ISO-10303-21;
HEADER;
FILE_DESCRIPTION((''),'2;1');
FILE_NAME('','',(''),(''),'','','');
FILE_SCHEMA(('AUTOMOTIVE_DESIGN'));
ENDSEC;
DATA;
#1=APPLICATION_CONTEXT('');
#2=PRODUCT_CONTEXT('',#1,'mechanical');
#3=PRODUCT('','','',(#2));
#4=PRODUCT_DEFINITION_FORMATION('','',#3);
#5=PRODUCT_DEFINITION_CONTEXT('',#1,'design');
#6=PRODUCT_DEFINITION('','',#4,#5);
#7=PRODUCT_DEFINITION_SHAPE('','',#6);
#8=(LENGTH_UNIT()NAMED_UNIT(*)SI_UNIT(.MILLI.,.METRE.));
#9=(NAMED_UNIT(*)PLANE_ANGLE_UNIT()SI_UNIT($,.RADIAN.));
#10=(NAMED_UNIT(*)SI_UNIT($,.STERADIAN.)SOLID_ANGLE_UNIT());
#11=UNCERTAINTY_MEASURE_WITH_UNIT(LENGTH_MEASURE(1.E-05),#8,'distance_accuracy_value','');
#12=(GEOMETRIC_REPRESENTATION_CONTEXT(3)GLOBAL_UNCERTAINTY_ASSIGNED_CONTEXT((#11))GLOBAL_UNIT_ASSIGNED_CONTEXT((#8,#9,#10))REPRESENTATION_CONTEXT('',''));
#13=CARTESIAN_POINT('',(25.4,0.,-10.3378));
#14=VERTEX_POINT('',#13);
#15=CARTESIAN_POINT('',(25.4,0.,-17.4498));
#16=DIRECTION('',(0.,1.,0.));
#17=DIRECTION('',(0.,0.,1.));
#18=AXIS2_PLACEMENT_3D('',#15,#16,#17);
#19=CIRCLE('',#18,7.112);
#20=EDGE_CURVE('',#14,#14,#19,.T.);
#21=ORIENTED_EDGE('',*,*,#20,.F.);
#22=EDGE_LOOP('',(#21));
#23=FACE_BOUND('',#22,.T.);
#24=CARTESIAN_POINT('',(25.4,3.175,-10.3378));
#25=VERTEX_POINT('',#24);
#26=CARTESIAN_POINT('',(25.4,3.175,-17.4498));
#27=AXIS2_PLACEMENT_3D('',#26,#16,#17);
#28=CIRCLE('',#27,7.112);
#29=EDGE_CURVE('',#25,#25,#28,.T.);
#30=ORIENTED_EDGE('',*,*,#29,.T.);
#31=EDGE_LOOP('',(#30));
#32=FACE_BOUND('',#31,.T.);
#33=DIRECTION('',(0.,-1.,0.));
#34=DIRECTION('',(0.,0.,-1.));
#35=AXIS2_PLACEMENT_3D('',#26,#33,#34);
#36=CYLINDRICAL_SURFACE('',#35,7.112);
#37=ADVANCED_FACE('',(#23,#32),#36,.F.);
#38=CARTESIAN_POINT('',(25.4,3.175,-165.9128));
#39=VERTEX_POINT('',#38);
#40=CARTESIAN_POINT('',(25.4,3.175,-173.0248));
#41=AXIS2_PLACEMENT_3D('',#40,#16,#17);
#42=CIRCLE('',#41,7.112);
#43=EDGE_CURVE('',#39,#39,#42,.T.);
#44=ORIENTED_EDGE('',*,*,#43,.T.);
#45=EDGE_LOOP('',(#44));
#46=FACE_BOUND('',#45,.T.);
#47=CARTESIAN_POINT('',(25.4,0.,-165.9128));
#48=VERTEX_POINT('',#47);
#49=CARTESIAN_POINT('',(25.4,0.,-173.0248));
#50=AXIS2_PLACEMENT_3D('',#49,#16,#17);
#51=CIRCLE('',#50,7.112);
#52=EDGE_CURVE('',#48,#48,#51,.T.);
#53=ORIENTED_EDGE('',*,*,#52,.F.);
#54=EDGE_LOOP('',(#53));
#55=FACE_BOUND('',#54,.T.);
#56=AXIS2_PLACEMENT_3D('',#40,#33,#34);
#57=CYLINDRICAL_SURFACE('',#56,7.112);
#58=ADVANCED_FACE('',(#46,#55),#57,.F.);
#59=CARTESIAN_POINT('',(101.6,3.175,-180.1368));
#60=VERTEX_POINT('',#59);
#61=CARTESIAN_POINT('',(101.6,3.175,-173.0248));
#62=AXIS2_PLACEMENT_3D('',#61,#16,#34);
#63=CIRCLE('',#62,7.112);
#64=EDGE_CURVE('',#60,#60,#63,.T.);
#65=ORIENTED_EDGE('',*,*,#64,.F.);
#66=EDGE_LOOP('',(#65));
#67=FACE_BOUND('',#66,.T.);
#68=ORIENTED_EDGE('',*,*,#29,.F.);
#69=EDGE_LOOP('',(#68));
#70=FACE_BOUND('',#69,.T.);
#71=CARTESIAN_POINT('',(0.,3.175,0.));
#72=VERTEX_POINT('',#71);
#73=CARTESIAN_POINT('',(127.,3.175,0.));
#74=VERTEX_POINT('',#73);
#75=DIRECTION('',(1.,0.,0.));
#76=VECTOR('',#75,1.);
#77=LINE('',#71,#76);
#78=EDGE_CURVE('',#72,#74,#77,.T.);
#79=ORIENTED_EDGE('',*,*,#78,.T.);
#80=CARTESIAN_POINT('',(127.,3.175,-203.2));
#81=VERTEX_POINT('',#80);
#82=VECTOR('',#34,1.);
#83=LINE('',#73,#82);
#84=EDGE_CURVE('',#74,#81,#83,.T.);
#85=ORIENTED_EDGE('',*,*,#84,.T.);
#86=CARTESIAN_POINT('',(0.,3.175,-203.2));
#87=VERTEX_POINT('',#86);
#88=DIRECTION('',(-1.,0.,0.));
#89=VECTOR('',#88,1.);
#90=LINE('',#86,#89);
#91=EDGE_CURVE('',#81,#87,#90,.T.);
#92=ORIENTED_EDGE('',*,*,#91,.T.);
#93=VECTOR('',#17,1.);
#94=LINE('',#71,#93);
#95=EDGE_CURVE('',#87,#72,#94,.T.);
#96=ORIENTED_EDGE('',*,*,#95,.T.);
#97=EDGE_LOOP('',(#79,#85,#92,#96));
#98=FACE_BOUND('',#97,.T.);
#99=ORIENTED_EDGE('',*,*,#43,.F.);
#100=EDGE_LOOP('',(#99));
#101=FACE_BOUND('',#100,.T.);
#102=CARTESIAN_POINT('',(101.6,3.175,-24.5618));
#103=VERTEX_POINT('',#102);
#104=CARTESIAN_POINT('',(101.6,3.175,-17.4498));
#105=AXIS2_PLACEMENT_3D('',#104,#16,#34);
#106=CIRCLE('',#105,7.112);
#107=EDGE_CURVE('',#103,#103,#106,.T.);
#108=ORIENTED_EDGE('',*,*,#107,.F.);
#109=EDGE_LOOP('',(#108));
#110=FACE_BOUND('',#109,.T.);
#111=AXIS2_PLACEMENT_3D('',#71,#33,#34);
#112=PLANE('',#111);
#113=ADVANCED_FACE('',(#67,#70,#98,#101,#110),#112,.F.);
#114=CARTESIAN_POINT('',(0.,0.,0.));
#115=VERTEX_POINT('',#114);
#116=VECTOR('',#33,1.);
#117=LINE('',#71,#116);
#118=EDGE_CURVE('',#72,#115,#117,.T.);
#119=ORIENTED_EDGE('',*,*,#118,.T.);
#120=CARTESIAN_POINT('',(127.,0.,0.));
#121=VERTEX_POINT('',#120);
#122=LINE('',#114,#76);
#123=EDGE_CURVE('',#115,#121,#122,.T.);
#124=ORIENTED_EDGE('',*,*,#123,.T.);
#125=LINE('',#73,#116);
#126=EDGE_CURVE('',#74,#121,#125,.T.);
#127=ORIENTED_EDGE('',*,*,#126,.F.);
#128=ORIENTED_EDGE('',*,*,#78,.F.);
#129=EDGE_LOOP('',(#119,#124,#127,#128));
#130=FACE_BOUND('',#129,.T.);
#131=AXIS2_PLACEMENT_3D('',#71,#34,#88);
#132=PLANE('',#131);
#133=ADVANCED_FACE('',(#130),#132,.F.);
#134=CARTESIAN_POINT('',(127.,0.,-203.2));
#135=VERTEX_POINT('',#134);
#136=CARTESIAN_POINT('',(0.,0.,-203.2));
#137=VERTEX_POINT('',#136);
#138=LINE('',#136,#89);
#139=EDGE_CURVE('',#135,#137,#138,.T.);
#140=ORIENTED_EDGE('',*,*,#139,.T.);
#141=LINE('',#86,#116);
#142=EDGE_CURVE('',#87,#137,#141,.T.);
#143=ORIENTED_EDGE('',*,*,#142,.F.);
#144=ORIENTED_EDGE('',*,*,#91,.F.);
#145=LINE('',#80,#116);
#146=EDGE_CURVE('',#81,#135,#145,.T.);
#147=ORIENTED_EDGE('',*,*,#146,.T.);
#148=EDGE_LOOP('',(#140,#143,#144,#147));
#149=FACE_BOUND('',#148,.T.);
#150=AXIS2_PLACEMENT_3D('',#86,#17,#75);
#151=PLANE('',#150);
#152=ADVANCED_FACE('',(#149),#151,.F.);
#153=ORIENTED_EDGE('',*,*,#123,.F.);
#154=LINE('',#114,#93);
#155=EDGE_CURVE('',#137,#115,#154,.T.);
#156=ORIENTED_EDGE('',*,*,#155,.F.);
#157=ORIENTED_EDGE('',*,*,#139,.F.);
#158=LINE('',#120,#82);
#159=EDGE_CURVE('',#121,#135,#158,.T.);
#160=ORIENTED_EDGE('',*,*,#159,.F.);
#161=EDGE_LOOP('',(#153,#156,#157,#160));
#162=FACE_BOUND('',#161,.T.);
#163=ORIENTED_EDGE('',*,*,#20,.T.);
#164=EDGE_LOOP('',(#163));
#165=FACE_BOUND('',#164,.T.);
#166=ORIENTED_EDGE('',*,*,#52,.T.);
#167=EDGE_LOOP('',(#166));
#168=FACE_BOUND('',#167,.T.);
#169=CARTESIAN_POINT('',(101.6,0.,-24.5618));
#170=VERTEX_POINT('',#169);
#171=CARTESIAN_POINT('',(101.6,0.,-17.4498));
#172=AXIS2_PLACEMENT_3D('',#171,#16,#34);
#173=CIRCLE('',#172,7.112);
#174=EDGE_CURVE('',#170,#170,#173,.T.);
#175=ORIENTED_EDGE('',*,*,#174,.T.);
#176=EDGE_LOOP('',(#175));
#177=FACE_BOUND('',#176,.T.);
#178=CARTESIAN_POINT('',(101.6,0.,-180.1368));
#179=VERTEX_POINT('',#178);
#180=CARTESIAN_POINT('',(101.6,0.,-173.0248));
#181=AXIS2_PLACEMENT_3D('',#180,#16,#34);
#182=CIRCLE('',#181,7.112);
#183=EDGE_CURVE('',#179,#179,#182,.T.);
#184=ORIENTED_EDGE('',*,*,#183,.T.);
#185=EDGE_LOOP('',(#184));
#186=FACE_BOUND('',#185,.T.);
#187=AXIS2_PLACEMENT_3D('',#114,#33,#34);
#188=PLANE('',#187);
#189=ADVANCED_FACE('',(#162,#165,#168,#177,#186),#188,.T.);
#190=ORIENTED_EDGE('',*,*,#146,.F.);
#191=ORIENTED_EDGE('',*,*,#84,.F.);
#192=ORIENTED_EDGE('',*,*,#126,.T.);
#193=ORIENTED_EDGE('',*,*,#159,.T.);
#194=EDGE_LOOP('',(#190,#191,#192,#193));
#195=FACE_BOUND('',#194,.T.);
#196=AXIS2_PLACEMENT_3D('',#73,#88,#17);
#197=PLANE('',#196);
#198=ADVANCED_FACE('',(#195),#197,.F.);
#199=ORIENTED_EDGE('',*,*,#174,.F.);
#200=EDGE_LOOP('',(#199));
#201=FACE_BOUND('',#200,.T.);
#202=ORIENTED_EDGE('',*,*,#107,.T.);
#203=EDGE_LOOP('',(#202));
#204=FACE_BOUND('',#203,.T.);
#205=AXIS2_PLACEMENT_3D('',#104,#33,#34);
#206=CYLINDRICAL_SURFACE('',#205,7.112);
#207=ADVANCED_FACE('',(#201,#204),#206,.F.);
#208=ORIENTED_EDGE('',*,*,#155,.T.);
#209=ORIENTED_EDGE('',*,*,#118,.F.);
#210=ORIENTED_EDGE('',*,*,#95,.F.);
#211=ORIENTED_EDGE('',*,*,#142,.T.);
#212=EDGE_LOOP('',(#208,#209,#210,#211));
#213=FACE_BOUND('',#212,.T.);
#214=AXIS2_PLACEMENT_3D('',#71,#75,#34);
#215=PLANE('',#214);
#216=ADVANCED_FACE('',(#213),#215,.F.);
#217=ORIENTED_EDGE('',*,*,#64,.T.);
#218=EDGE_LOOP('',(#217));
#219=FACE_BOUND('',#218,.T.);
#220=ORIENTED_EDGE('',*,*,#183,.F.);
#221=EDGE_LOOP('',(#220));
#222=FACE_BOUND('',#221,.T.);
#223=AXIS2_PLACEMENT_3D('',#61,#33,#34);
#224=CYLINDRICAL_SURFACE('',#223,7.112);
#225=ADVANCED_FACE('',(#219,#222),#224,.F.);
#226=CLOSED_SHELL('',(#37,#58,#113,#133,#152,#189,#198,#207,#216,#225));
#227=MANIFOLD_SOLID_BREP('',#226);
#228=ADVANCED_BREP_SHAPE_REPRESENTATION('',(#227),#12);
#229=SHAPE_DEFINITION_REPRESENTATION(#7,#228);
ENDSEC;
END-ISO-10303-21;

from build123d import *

# Parameters (mm, degrees)
SKETCH1_W           = 127
SKETCH1_H           = 203.2
SKETCH1_R           = 7.112
BOSS_EXTRUDE2_DEPTH = 3.175


with BuildPart() as part:
    # Sketch1 → Boss-Extrude2 (new body)
    with BuildSketch(Plane(origin=(0, 0, 0), x_dir=(1, 0, 0), z_dir=(0, 1, 0))):
        with Locations((63.5, 101.6)):
            Rectangle(SKETCH1_W, SKETCH1_H)
        with Locations(Location((25.4, 173.0248, 0), (0, 0, 270))):
            Circle(SKETCH1_R, mode=Mode.SUBTRACT)
        with Locations(Location((25.4, 17.4498, 0), (0, 0, 270))):
            Circle(SKETCH1_R, mode=Mode.SUBTRACT)
        with Locations(Location((101.6, 17.4498, 0), (0, 0, 90))):
            Circle(SKETCH1_R, mode=Mode.SUBTRACT)
        with Locations(Location((101.6, 173.0248, 0), (0, 0, 90))):
            Circle(SKETCH1_R, mode=Mode.SUBTRACT)
    extrude(amount=BOSS_EXTRUDE2_DEPTH)


solid = part.part
